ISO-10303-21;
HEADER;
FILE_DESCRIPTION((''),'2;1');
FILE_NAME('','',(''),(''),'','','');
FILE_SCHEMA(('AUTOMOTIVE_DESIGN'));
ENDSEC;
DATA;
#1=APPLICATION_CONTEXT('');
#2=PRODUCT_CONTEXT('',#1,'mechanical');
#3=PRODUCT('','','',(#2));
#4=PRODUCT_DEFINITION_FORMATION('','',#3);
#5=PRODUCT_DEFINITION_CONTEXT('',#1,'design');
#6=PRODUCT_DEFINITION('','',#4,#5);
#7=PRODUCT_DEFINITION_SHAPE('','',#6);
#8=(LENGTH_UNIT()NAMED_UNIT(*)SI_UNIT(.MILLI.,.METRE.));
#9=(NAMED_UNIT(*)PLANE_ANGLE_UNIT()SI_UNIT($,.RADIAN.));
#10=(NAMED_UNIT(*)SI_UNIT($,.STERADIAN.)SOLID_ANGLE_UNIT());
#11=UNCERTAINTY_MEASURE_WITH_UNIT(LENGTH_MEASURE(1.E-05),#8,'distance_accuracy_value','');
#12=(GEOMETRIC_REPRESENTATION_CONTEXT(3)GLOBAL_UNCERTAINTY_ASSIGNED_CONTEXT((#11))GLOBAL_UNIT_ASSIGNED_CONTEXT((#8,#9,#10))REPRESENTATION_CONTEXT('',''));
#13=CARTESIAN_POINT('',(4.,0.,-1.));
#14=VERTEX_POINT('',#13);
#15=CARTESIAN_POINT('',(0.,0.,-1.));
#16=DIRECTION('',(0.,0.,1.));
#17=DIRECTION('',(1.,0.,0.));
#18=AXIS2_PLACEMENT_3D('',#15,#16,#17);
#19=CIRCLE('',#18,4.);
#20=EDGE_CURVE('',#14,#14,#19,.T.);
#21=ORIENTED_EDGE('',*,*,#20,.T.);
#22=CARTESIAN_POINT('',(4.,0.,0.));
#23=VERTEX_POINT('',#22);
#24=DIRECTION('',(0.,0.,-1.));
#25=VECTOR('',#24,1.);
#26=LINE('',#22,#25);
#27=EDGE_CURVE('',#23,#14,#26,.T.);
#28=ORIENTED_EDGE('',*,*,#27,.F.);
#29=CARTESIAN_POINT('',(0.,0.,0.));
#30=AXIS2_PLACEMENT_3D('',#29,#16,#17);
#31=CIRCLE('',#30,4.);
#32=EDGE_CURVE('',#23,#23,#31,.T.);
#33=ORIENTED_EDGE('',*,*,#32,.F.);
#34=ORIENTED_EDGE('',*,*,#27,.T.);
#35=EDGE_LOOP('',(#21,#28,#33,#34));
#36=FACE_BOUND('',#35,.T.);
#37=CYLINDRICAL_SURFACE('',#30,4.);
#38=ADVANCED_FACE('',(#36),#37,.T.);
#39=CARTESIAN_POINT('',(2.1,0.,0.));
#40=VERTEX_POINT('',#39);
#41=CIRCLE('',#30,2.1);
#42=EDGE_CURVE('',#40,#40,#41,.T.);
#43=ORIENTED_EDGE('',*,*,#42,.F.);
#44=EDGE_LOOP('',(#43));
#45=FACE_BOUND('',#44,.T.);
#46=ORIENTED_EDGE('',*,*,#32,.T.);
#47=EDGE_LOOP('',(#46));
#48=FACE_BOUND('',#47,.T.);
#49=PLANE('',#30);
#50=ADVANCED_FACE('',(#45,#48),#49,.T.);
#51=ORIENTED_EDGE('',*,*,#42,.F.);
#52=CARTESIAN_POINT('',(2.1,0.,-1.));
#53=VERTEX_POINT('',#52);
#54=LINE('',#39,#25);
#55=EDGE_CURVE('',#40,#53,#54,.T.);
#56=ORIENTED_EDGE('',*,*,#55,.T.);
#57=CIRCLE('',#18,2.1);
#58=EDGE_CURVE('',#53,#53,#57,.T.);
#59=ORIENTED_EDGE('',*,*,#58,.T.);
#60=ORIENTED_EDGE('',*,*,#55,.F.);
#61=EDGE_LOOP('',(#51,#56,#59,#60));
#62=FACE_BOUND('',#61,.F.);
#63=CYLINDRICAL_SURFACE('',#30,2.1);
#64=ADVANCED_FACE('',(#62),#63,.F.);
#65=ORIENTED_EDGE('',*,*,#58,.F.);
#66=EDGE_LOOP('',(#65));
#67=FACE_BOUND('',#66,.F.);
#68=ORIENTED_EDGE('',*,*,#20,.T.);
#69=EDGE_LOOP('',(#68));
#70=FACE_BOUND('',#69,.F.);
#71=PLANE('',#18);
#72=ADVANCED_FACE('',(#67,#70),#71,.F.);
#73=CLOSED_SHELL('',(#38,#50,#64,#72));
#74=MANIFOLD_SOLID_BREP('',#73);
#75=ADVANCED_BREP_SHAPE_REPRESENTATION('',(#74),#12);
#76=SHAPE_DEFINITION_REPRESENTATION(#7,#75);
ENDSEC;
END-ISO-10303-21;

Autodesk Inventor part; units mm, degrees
ref_plane "YZ Plane" through (0, 0, 0) normal (1, 0, 0) x (0, 1, 0)
ref_plane "XZ Plane" through (0, 0, 0) normal (0, 1, 0) x (-1, 0, 0)
ref_plane "XY Plane" through (0, 0, 0) normal (0, 0, 1) x (1, 0, 0)
sketch "スケッチ1" plane through (0, 0, 0) normal (0, 0, 1) x (1, 0, 0)
  circle A0 centre (0, 0) radius 4
  circle A1 centre (0, 0) radius 2.1
  dimension "d0" = 8
  dimension "d1" = 4.2
extrude "押し出し1" add sketch "スケッチ1" against normal blind 1
properties part number "アルミワッシャー　内径4.2外径8　厚み1" material "アルミニウム 7075"
